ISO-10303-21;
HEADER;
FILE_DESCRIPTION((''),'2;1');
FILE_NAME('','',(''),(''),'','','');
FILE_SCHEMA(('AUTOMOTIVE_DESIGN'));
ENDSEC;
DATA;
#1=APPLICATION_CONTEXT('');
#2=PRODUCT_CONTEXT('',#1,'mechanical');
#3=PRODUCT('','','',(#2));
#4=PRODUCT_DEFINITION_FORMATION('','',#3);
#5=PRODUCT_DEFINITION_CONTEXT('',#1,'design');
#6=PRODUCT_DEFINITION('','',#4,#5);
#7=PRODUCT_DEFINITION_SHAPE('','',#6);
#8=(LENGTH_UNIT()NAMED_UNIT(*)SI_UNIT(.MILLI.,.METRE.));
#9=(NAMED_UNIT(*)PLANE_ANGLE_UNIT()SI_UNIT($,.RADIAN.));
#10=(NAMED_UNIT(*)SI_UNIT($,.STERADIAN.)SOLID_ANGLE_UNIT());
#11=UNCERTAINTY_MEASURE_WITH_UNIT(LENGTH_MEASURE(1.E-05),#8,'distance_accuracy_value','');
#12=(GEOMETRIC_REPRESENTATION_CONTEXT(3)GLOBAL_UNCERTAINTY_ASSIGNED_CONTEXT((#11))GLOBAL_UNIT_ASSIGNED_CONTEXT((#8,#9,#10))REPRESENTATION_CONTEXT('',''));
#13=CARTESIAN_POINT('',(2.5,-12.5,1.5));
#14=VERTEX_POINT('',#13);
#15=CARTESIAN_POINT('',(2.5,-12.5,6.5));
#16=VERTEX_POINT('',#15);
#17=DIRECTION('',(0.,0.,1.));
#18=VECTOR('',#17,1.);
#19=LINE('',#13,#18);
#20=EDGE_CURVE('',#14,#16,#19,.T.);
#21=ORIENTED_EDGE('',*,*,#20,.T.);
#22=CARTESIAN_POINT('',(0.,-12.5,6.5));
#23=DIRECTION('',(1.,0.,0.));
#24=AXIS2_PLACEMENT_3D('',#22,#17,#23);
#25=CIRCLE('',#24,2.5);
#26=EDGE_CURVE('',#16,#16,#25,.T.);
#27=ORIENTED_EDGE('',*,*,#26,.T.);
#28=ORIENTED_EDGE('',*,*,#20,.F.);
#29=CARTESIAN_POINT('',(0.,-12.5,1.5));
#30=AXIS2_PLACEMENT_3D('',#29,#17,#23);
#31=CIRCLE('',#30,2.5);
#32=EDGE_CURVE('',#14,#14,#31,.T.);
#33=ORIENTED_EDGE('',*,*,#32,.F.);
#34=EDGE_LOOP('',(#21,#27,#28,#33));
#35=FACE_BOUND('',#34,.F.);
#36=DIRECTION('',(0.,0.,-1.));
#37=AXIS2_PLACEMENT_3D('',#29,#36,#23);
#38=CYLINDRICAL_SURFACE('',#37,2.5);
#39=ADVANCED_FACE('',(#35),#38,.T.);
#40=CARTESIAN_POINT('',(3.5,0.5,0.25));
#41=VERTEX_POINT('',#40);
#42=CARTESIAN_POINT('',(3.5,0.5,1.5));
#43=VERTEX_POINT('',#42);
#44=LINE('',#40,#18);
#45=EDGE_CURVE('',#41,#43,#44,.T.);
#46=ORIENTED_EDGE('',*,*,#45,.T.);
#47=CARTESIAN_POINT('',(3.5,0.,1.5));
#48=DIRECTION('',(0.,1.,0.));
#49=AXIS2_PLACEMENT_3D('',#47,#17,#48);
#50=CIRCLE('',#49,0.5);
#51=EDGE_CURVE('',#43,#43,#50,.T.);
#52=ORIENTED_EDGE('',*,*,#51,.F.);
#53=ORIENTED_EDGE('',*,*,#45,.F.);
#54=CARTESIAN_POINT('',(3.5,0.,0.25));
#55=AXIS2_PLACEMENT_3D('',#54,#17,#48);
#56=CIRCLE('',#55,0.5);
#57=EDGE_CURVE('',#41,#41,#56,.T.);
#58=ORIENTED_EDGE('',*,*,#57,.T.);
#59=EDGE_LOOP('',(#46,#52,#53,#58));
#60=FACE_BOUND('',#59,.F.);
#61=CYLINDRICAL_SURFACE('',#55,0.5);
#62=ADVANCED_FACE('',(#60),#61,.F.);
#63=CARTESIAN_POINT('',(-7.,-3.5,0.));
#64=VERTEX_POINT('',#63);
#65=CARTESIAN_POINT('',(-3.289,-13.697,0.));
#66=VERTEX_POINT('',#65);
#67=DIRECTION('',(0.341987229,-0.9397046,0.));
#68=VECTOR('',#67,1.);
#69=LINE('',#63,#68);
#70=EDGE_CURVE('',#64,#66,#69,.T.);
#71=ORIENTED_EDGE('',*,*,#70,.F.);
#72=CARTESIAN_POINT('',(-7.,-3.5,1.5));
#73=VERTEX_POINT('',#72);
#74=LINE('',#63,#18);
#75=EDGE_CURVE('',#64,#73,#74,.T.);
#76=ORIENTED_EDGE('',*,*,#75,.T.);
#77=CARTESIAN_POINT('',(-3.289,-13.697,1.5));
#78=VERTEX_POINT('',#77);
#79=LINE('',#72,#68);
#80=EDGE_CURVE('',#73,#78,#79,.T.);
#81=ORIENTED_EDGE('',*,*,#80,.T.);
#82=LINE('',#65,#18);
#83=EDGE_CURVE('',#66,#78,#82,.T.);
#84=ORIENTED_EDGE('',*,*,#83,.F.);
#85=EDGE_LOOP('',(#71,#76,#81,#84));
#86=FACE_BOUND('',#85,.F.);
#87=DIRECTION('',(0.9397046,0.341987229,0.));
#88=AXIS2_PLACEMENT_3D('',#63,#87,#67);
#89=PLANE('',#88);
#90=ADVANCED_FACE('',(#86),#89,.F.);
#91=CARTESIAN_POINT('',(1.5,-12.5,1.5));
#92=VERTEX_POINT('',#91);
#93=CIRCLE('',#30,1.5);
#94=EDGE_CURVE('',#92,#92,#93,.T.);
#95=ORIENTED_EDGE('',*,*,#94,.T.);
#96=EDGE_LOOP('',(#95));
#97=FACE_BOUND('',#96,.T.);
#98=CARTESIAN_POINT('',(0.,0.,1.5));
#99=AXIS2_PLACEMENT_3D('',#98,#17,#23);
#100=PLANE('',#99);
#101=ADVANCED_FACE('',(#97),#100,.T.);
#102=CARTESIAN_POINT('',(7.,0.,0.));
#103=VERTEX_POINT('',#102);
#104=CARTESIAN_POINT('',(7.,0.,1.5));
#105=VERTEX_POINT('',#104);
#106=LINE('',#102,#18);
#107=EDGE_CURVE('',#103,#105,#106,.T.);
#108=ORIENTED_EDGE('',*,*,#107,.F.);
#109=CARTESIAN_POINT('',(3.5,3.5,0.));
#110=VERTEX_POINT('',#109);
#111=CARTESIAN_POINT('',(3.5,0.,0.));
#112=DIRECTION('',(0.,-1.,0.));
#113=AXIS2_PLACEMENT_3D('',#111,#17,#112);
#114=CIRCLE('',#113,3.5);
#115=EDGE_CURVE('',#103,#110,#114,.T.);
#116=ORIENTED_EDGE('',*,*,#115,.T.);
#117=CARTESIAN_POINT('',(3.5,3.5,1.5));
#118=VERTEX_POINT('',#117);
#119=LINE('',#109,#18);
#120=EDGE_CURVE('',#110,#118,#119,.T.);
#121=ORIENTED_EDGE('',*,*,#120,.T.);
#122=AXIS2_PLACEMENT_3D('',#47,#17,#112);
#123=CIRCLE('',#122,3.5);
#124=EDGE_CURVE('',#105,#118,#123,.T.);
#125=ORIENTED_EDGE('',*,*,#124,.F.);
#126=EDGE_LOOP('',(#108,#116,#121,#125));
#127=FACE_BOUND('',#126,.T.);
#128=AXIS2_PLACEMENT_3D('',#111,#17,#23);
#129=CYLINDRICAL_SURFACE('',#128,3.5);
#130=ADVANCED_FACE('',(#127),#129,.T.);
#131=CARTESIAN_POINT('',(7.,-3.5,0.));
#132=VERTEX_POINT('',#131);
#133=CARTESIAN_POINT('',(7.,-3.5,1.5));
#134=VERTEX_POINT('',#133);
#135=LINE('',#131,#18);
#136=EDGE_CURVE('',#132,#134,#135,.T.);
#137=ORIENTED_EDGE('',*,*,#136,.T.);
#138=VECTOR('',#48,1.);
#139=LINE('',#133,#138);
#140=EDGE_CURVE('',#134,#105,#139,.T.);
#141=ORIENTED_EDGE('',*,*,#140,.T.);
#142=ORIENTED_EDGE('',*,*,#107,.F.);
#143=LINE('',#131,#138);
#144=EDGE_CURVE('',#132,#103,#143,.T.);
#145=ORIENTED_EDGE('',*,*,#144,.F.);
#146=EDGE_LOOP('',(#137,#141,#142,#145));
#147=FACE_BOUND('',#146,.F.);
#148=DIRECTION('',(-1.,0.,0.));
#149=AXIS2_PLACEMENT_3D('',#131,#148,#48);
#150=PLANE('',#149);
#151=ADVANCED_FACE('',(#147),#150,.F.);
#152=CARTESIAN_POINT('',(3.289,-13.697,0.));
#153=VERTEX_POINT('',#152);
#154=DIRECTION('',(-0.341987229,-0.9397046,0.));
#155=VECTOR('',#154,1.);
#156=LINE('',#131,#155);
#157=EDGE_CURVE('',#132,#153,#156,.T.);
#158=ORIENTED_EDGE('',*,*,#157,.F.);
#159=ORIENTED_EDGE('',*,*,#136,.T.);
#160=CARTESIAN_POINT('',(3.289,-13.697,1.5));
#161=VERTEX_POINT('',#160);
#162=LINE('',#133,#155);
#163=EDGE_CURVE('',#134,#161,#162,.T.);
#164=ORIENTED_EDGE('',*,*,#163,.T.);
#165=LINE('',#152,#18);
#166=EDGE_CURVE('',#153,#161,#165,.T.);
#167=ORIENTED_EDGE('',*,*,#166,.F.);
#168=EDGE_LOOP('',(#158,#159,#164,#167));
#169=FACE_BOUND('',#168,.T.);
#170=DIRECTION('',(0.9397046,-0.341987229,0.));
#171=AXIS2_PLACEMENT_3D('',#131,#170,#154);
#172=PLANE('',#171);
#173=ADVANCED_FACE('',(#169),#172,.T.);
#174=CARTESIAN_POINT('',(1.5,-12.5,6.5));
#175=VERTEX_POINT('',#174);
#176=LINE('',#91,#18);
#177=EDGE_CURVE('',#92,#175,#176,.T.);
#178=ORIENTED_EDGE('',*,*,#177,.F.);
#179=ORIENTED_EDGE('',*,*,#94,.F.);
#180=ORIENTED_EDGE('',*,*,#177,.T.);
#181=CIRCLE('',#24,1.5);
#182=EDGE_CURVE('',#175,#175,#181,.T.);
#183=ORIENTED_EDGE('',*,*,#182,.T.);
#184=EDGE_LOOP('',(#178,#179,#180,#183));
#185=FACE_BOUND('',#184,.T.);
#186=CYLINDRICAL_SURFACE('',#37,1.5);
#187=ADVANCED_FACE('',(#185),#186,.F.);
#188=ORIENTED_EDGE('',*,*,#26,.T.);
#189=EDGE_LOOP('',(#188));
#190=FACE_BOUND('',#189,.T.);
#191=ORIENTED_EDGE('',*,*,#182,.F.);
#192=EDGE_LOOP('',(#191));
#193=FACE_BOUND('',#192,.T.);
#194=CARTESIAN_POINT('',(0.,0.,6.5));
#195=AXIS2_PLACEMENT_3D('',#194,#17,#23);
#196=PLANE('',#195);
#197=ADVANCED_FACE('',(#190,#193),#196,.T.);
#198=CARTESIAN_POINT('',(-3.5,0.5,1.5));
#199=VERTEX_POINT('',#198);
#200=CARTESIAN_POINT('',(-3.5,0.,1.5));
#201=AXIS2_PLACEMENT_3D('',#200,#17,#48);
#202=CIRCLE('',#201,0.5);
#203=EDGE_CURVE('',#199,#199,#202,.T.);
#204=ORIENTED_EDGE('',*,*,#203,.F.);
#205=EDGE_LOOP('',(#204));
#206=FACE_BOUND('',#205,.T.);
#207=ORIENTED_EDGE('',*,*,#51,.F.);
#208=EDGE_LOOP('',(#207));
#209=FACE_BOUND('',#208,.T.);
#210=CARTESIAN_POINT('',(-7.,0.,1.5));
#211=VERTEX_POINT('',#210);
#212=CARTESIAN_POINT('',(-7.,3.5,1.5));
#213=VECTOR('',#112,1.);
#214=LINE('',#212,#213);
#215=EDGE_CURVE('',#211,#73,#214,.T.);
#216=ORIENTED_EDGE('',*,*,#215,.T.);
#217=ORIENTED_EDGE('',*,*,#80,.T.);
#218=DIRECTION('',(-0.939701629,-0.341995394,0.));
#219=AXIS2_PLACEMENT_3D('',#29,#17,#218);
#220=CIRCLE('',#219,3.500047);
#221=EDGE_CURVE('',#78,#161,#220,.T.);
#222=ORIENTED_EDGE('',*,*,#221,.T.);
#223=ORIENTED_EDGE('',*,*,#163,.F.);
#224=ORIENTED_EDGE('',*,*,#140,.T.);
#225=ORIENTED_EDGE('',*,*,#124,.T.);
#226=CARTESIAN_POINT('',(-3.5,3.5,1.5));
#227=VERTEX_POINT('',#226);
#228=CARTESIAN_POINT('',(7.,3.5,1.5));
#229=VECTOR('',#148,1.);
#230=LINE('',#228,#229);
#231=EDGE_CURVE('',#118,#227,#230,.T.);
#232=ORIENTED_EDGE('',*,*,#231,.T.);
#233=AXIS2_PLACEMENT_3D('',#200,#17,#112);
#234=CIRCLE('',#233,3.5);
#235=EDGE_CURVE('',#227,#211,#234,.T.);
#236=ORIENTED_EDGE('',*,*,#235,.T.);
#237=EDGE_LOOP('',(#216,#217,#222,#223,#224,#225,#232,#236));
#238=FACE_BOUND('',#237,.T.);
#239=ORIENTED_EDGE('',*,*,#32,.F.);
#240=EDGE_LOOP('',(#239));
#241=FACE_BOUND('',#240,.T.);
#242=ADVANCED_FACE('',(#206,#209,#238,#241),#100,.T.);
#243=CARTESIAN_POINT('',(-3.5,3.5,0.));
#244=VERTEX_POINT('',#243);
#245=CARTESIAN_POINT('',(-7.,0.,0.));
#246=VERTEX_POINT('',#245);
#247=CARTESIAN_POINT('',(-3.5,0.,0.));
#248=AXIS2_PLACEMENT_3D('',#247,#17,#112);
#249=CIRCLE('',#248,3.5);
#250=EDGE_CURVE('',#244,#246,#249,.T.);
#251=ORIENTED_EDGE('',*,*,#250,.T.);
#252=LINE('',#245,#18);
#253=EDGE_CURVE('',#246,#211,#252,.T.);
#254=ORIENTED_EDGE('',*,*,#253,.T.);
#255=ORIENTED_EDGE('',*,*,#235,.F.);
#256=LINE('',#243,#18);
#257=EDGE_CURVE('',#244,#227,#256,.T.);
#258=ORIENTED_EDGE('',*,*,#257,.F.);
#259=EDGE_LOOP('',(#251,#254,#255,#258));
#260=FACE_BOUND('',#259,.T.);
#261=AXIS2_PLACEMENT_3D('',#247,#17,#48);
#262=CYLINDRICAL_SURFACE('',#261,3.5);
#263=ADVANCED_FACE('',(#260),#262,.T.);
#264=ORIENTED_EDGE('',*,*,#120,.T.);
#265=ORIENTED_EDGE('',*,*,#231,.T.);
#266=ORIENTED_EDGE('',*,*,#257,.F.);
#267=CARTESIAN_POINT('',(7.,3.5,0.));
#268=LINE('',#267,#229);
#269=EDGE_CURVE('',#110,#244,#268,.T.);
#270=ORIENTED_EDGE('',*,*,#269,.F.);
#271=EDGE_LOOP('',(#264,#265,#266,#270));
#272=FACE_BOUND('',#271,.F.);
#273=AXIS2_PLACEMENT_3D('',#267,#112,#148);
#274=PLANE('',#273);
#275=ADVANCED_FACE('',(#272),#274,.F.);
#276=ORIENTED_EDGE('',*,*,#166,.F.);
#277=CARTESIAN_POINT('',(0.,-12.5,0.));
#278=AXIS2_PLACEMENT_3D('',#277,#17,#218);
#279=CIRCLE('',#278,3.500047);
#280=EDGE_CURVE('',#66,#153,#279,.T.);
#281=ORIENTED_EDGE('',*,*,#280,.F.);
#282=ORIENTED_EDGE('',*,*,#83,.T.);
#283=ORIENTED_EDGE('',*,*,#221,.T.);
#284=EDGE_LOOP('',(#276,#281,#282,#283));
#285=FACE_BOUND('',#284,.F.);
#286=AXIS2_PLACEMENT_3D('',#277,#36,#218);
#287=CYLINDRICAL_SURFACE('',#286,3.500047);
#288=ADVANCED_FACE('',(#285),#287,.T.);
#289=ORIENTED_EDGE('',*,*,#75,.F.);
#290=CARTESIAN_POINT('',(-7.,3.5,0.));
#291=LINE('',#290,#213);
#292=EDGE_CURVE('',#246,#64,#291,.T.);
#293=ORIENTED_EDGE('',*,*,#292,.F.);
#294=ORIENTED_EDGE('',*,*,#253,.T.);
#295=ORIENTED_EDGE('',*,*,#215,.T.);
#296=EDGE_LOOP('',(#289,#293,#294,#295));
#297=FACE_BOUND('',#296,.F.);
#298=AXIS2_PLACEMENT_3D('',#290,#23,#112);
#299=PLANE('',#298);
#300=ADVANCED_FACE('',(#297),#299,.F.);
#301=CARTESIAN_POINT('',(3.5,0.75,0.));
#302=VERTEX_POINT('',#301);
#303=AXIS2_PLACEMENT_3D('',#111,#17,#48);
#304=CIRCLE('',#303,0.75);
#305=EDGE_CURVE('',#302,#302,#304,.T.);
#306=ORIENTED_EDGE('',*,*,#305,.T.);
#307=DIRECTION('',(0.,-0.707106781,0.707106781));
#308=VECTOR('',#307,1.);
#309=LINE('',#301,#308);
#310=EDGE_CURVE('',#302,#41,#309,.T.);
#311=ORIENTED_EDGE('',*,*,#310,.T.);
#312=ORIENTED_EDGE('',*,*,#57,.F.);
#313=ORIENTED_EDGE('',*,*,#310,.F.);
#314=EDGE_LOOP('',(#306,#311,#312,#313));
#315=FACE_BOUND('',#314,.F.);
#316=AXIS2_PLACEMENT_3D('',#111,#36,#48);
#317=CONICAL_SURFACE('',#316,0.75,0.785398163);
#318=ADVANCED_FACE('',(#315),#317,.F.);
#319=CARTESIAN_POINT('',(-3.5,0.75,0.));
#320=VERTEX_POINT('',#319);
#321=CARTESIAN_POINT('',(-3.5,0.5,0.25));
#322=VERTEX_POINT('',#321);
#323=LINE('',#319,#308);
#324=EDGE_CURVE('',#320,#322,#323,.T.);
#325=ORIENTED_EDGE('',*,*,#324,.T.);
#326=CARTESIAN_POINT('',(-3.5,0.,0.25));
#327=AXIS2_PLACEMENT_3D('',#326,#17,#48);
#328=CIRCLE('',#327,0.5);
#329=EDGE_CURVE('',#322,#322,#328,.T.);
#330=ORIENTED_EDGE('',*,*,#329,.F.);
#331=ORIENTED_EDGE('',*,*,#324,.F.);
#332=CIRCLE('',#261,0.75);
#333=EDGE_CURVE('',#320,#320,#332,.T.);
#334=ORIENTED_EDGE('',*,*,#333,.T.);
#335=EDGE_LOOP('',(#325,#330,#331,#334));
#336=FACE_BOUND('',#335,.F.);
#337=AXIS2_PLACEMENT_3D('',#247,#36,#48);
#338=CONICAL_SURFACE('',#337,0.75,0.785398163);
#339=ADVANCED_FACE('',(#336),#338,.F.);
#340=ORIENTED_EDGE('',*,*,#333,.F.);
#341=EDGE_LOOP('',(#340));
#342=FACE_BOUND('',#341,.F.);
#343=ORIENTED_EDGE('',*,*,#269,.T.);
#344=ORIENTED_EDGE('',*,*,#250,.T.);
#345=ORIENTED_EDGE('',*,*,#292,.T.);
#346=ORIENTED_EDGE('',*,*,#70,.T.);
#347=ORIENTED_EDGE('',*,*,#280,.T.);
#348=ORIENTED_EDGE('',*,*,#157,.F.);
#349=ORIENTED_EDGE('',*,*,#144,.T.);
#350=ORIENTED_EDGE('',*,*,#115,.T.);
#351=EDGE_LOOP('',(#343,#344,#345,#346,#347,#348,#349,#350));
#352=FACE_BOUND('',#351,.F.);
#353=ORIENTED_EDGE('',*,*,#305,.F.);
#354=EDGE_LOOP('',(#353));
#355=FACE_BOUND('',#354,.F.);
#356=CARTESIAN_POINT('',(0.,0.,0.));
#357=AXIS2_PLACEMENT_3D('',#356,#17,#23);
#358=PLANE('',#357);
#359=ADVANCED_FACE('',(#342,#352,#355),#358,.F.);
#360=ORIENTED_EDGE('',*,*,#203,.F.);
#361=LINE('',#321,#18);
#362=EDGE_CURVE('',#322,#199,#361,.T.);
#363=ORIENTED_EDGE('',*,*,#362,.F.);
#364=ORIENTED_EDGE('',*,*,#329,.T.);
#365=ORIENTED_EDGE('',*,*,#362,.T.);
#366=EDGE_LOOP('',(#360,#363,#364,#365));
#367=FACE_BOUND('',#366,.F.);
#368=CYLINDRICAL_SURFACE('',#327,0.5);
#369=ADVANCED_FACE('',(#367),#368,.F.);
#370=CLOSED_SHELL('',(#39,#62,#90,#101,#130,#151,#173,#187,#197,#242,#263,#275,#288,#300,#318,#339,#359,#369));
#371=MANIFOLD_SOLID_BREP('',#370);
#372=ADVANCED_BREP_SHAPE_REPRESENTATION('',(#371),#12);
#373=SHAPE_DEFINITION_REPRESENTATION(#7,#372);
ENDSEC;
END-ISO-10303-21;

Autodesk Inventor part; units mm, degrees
ref_plane "YZ Plane" through (0, 0, 0) normal (1, 0, 0) x (0, 1, 0)
ref_plane "XZ Plane" through (0, 0, 0) normal (0, 1, 0) x (-1, 0, 0)
ref_plane "XY Plane" through (0, 0, 0) normal (0, 0, 1) x (1, 0, 0)
sketch "Эскиз1" plane through (0, 0, 0) normal (0, 0, 1) x (1, 0, 0)
  line L0 (-7, -3.5) -> (7, -3.5) construction
  line L1 (7, -3.5) -> (7, 3.5)
  line L2 (7, 3.5) -> (-7, 3.5)
  line L3 (-7, 3.5) -> (-7, -3.5)
  line L4 (-7, -3.5) -> (7, 3.5) construction
  line L5 (7, -3.5) -> (-7, 3.5) construction
  line L6 (0, -3.5) -> (0, -12.5) construction
  line L7 (-7, -3.5) -> (-3.289, -13.697)
  line L8 (7, -3.5) -> (3.289, -13.697)
  arc A0 (-3.289, -13.697) -> (3.289, -13.697) centre (0, -12.5) ccw
  point P0 (0, 0)
  point P1 (0, 0)
  point P2 (0, 0)
  point P3 (0, 0)
  dimension "d0" = 14
  dimension "d1" = 7
  dimension "d4" = 9
  dimension "d5" = 3.5
extrude "Выдавливание1" add sketch "Эскиз1" along normal blind 1.5
sketch "Эскиз2" plane through (0, 0, 1.5) normal (0, 0, 1) x (1, 0, 0)
  arc A0 (-3.289, -13.697) -> (3.289, -13.697) centre (0, -12.5) ccw construction
  circle A1 centre (0, -12.5) radius 2.5
  circle A2 centre (0, -12.5) radius 1.5
  point P0 (0, 0)
  dimension "d8" = 5
  dimension "d39" = 1
extrude "Выдавливание11" add sketch "Эскиз2" along normal blind 5
fillet "Сопряжение1" radius 3.5 2 edges at (7, 3.5, 0.75) (-7, 3.5, 0.75)
sketch "Эскиз5" plane through (0, 0, 0) normal (0, 0, 1) x (1, 0, 0)
  circle A0 centre (0, -12.5) radius 1.25 construction
  line L0 (0, -3.5) -> (0, 3.5) construction
  circle A1 centre (3.5, 0) radius 0.5
  line L1 (3.5, 0) -> (3.5, 3.5) construction
  line L2 (3.5, 0) -> (0, 0) construction
  line L3 (3.5, 3.5) -> (-3.5, 3.5) construction
  circle A2 centre (-3.5, 0) radius 0.5
  point P0 (-7, 3.5)
  point P1 (7, -3.5)
  point P2 (7, 3.5)
  dimension "d34" = 1
  dimension "d35" = 3.5
hole "Отверстие1" at (-3.5, 0, 0) at (3.5, 0, 0) direction (0, 0, 1) diameter 1 end through all countersink diameter 1.5 countersink angle 90
properties part number "переходник2"
